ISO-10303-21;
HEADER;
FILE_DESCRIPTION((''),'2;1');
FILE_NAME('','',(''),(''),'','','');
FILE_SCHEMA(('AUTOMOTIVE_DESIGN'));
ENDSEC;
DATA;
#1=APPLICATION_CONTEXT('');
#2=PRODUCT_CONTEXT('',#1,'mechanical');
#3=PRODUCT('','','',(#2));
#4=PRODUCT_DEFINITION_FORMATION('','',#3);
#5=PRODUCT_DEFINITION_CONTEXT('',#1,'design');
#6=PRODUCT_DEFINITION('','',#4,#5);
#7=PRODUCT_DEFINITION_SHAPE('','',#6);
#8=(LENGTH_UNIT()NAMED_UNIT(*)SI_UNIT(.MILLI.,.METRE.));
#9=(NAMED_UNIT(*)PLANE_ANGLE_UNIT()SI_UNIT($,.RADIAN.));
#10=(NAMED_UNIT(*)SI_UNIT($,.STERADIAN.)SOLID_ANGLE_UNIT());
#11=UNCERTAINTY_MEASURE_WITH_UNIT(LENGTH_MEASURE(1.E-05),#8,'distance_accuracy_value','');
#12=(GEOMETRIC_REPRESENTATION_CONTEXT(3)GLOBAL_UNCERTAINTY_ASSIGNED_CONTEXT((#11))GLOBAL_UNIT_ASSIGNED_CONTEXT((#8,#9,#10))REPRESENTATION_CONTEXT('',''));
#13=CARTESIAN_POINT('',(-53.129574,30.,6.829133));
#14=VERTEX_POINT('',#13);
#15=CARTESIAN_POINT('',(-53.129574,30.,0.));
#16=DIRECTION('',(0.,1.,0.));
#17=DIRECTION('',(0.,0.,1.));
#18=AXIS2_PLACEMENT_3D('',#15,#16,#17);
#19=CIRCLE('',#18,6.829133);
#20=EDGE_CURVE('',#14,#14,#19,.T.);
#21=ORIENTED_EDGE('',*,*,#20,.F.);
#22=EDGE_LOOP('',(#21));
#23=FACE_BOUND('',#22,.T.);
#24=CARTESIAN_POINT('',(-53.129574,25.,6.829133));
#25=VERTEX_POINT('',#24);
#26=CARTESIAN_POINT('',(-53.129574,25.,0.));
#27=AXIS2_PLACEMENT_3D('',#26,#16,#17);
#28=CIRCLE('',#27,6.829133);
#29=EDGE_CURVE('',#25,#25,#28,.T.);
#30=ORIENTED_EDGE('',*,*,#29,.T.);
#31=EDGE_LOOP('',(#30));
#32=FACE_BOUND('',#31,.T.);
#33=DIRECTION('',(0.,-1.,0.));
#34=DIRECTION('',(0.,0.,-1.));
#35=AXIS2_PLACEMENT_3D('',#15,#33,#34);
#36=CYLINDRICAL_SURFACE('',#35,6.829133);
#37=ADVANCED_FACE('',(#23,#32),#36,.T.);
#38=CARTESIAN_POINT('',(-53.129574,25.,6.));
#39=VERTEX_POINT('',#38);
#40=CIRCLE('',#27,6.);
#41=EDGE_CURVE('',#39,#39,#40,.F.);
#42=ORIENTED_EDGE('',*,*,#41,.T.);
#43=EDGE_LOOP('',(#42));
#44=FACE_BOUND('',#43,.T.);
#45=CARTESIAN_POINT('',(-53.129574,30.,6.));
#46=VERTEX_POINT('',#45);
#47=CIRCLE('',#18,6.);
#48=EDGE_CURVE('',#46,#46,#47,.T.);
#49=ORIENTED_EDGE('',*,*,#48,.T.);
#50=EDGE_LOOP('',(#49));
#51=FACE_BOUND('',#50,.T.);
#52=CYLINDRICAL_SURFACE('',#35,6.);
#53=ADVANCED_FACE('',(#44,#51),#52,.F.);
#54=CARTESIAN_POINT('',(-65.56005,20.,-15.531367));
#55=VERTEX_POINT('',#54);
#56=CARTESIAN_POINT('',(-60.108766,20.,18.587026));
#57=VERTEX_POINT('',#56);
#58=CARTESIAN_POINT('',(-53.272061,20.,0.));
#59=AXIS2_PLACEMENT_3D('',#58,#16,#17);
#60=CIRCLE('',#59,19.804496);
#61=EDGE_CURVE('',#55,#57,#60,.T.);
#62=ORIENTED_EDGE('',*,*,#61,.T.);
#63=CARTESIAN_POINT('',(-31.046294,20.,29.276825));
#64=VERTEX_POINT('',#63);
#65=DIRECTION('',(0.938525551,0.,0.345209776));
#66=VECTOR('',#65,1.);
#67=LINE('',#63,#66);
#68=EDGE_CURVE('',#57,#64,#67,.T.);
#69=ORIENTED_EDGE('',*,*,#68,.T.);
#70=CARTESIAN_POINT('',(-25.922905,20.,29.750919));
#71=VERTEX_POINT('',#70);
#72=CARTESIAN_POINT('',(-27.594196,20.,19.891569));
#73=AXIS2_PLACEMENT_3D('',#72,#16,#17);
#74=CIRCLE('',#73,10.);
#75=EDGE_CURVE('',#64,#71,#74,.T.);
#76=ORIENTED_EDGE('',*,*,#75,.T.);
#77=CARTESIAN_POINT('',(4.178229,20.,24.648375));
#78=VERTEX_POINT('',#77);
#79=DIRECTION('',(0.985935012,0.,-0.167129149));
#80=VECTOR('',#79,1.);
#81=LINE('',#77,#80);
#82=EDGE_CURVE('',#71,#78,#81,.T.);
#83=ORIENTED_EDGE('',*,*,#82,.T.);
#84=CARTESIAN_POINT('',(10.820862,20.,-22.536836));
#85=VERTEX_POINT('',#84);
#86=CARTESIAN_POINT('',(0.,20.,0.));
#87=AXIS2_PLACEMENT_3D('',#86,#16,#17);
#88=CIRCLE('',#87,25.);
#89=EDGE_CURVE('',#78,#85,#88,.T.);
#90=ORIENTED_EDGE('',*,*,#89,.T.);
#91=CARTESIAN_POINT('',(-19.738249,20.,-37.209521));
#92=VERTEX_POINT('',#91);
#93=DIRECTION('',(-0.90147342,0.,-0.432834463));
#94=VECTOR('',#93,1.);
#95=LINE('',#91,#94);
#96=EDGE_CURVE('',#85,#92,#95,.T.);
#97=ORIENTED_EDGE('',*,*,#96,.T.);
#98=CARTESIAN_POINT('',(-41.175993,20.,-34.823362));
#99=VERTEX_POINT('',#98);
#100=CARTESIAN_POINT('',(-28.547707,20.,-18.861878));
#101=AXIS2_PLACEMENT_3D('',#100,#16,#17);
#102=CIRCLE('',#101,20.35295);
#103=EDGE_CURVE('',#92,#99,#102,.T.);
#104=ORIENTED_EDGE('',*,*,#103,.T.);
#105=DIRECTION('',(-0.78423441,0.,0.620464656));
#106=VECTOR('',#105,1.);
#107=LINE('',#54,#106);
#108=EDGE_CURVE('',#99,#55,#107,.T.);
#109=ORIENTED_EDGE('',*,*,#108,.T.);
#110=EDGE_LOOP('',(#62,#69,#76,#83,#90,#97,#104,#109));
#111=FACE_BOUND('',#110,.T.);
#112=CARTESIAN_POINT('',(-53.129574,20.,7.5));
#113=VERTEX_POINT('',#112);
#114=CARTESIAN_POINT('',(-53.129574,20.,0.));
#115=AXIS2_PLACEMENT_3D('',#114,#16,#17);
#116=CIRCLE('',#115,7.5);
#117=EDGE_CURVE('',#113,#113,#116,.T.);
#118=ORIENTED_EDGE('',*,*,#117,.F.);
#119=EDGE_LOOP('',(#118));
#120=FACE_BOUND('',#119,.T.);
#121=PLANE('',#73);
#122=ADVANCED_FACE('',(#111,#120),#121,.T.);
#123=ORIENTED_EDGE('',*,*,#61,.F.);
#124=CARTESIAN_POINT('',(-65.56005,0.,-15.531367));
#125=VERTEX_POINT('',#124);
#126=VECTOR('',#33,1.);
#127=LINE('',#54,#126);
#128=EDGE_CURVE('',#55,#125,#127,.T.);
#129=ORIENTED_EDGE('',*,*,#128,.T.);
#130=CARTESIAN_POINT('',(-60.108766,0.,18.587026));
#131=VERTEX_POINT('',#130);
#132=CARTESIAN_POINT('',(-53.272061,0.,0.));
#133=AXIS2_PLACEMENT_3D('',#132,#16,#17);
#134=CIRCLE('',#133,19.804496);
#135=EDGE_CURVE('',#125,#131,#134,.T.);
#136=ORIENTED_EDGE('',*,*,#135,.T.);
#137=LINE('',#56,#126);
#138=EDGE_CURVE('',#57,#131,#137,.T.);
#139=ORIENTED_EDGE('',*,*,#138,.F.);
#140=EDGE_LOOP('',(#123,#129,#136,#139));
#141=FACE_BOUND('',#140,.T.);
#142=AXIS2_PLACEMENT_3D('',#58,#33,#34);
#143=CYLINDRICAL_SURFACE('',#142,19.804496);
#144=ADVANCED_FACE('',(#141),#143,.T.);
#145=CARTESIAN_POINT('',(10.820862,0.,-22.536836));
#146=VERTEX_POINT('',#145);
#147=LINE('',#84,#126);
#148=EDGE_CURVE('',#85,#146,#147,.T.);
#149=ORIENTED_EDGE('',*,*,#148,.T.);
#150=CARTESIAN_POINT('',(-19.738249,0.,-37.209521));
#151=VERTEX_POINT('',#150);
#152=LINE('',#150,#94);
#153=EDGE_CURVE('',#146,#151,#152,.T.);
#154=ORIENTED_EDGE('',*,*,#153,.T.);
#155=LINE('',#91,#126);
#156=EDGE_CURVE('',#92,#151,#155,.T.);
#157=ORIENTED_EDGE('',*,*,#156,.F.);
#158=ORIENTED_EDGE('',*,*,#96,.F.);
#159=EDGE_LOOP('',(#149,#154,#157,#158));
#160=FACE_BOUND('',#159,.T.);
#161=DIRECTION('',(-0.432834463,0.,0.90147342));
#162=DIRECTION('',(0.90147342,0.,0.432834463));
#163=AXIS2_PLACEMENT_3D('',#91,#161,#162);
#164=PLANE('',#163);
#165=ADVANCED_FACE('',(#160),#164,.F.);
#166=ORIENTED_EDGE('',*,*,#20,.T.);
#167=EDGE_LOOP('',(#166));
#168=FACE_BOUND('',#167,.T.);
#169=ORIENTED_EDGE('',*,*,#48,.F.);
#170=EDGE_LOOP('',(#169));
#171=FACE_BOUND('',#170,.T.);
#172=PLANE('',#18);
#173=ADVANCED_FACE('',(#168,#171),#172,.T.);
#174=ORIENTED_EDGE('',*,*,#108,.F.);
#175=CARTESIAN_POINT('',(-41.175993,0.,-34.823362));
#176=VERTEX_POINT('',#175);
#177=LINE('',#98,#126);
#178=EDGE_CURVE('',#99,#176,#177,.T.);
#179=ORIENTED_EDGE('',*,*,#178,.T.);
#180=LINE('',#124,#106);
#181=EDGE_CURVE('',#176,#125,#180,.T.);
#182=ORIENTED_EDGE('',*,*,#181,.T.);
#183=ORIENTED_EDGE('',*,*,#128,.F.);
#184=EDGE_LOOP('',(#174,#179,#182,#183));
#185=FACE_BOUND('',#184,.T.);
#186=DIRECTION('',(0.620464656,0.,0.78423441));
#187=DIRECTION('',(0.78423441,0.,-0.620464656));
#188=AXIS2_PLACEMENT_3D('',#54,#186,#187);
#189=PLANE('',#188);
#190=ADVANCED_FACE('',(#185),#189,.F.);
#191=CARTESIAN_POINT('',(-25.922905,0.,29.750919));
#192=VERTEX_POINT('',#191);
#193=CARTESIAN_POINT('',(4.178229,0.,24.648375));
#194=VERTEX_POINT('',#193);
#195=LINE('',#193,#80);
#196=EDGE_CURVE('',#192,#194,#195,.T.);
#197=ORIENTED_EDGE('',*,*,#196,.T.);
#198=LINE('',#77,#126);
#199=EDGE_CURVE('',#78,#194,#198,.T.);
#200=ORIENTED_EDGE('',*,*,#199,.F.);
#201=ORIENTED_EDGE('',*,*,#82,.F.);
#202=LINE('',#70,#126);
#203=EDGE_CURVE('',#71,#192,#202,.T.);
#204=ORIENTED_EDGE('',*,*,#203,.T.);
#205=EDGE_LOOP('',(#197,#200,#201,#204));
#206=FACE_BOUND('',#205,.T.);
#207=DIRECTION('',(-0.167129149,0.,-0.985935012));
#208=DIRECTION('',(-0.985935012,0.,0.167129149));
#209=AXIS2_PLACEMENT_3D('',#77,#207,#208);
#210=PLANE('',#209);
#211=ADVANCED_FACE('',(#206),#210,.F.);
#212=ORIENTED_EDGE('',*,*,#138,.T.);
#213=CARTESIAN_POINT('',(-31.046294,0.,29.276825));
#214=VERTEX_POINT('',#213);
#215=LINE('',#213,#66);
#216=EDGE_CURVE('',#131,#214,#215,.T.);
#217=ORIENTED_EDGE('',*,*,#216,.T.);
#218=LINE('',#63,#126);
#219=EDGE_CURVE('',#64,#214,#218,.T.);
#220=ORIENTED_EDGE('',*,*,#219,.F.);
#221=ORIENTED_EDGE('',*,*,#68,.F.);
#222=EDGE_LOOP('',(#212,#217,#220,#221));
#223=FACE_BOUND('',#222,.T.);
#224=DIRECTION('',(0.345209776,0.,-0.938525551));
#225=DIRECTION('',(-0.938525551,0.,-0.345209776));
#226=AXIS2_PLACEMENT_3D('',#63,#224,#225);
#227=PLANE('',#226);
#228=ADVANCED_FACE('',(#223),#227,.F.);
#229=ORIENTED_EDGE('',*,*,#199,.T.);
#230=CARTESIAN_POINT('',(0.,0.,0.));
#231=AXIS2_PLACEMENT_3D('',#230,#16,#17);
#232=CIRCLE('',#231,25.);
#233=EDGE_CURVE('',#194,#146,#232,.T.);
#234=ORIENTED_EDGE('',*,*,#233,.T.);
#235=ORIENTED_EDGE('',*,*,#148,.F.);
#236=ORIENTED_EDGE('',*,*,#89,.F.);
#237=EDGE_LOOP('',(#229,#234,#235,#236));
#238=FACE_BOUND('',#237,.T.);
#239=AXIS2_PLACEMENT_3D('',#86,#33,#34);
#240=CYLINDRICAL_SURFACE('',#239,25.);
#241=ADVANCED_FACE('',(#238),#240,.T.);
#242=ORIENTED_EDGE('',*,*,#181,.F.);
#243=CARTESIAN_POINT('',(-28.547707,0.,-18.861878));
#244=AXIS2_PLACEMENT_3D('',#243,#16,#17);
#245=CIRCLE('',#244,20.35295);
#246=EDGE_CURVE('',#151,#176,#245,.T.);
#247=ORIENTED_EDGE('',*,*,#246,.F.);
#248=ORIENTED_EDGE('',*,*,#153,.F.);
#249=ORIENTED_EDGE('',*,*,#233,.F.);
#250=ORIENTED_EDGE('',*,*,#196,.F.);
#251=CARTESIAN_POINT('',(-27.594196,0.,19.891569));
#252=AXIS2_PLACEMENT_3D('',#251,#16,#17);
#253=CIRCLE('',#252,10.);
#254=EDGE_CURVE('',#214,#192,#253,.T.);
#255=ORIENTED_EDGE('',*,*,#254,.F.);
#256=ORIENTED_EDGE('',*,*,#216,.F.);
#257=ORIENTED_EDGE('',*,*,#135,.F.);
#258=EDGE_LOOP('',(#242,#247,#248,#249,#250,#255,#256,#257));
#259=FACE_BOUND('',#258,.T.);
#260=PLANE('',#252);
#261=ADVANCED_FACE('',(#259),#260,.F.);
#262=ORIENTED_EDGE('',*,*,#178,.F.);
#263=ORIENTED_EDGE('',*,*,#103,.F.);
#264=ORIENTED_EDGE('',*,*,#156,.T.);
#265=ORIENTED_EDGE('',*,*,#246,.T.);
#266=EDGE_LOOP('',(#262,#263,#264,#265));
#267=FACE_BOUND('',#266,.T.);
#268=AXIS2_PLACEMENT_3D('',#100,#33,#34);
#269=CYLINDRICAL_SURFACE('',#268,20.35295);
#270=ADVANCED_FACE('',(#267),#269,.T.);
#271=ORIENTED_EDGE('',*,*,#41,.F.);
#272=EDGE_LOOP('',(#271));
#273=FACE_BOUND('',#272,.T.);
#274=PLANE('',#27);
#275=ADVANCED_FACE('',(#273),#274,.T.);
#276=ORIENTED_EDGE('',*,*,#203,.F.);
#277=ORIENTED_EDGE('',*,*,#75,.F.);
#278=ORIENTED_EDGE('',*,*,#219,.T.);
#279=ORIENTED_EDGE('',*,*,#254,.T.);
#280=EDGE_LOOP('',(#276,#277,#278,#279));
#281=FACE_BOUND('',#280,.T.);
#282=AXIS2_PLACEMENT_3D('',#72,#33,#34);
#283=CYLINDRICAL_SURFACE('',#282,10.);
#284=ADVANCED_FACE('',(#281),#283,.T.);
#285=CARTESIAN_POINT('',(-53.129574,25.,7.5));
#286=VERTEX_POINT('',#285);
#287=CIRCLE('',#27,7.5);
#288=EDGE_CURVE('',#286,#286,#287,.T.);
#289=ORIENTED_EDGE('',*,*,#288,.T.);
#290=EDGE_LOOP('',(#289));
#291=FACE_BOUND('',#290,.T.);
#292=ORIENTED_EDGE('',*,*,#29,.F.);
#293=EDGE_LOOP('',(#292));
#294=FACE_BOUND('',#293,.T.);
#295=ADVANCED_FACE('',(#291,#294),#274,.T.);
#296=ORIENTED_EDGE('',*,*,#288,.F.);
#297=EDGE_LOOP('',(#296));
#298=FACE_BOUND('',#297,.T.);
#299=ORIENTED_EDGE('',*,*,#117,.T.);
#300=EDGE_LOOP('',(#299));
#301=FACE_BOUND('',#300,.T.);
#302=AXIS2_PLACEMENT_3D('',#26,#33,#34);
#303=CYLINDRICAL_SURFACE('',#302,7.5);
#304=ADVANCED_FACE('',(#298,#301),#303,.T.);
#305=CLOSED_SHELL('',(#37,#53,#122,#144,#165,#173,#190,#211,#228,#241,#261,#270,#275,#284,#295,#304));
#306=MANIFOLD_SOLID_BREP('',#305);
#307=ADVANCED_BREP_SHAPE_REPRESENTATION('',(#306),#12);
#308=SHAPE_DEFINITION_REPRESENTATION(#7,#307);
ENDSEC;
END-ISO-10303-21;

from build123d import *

# Parameters (mm, degrees)
BOSS_EXTRUDE1_DEPTH = 20
SKETCH2_R           = 7.5
BOSS_EXTRUDE2_DEPTH = 5
SKETCH3_R           = 6.829132763
SKETCH3_R_2         = 6
BOSS_EXTRUDE3_DEPTH = 5


with BuildPart() as part:
    # Sketch1 → Boss-Extrude1 (new body)
    with BuildSketch(Plane(origin=(0, 0, 0), x_dir=(1, 0, 0), z_dir=(0, 1, 0))):
        with BuildLine():
            Line((-31.046293844, -29.276824699), (-60.108766173, -18.587025627))
            ThreePointArc((-60.108766173, -18.587025627), (-72.82850904, -3.124641863), (-65.560050374, 15.531367327))
            Line((-65.560050374, 15.531367327), (-41.175993118, 34.823361534))
            ThreePointArc((-41.175993118, 34.823361534), (-30.799217935, 39.089909616), (-19.738248933, 37.20952123))
            Line((-19.738248933, 37.20952123), (10.820861573, 22.53683551))
            ThreePointArc((10.820861573, 22.53683551), (24.755892372, -3.485081474), (4.178228718, -24.648375297))
            Line((4.178228718, -24.648375297), (-25.922904595, -29.750919304))
            ThreePointArc((-25.922904595, -29.750919304), (-28.515613019, -29.84902824), (-31.046293844, -29.276824699))
        make_face()
    extrude(amount=BOSS_EXTRUDE1_DEPTH)

    # Sketch2 → Boss-Extrude2 (add)
    with BuildSketch(Plane(origin=(0, 20, 0), x_dir=(1, 0, 0), z_dir=(0, 1, 0))):
        with Locations((-53.129573655, 0)):
            Circle(SKETCH2_R)
    extrude(amount=BOSS_EXTRUDE2_DEPTH)

    # Sketch3 → Boss-Extrude3 (add)
    with BuildSketch(Plane(origin=(0, 25, 0), x_dir=(1, 0, 0), z_dir=(0, 1, 0))):
        with Locations((-53.129573655, 0)):
            Circle(SKETCH3_R)
        with Locations((-53.129573655, 0)):
            Circle(SKETCH3_R_2, mode=Mode.SUBTRACT)
    extrude(amount=BOSS_EXTRUDE3_DEPTH)


solid = part.part
